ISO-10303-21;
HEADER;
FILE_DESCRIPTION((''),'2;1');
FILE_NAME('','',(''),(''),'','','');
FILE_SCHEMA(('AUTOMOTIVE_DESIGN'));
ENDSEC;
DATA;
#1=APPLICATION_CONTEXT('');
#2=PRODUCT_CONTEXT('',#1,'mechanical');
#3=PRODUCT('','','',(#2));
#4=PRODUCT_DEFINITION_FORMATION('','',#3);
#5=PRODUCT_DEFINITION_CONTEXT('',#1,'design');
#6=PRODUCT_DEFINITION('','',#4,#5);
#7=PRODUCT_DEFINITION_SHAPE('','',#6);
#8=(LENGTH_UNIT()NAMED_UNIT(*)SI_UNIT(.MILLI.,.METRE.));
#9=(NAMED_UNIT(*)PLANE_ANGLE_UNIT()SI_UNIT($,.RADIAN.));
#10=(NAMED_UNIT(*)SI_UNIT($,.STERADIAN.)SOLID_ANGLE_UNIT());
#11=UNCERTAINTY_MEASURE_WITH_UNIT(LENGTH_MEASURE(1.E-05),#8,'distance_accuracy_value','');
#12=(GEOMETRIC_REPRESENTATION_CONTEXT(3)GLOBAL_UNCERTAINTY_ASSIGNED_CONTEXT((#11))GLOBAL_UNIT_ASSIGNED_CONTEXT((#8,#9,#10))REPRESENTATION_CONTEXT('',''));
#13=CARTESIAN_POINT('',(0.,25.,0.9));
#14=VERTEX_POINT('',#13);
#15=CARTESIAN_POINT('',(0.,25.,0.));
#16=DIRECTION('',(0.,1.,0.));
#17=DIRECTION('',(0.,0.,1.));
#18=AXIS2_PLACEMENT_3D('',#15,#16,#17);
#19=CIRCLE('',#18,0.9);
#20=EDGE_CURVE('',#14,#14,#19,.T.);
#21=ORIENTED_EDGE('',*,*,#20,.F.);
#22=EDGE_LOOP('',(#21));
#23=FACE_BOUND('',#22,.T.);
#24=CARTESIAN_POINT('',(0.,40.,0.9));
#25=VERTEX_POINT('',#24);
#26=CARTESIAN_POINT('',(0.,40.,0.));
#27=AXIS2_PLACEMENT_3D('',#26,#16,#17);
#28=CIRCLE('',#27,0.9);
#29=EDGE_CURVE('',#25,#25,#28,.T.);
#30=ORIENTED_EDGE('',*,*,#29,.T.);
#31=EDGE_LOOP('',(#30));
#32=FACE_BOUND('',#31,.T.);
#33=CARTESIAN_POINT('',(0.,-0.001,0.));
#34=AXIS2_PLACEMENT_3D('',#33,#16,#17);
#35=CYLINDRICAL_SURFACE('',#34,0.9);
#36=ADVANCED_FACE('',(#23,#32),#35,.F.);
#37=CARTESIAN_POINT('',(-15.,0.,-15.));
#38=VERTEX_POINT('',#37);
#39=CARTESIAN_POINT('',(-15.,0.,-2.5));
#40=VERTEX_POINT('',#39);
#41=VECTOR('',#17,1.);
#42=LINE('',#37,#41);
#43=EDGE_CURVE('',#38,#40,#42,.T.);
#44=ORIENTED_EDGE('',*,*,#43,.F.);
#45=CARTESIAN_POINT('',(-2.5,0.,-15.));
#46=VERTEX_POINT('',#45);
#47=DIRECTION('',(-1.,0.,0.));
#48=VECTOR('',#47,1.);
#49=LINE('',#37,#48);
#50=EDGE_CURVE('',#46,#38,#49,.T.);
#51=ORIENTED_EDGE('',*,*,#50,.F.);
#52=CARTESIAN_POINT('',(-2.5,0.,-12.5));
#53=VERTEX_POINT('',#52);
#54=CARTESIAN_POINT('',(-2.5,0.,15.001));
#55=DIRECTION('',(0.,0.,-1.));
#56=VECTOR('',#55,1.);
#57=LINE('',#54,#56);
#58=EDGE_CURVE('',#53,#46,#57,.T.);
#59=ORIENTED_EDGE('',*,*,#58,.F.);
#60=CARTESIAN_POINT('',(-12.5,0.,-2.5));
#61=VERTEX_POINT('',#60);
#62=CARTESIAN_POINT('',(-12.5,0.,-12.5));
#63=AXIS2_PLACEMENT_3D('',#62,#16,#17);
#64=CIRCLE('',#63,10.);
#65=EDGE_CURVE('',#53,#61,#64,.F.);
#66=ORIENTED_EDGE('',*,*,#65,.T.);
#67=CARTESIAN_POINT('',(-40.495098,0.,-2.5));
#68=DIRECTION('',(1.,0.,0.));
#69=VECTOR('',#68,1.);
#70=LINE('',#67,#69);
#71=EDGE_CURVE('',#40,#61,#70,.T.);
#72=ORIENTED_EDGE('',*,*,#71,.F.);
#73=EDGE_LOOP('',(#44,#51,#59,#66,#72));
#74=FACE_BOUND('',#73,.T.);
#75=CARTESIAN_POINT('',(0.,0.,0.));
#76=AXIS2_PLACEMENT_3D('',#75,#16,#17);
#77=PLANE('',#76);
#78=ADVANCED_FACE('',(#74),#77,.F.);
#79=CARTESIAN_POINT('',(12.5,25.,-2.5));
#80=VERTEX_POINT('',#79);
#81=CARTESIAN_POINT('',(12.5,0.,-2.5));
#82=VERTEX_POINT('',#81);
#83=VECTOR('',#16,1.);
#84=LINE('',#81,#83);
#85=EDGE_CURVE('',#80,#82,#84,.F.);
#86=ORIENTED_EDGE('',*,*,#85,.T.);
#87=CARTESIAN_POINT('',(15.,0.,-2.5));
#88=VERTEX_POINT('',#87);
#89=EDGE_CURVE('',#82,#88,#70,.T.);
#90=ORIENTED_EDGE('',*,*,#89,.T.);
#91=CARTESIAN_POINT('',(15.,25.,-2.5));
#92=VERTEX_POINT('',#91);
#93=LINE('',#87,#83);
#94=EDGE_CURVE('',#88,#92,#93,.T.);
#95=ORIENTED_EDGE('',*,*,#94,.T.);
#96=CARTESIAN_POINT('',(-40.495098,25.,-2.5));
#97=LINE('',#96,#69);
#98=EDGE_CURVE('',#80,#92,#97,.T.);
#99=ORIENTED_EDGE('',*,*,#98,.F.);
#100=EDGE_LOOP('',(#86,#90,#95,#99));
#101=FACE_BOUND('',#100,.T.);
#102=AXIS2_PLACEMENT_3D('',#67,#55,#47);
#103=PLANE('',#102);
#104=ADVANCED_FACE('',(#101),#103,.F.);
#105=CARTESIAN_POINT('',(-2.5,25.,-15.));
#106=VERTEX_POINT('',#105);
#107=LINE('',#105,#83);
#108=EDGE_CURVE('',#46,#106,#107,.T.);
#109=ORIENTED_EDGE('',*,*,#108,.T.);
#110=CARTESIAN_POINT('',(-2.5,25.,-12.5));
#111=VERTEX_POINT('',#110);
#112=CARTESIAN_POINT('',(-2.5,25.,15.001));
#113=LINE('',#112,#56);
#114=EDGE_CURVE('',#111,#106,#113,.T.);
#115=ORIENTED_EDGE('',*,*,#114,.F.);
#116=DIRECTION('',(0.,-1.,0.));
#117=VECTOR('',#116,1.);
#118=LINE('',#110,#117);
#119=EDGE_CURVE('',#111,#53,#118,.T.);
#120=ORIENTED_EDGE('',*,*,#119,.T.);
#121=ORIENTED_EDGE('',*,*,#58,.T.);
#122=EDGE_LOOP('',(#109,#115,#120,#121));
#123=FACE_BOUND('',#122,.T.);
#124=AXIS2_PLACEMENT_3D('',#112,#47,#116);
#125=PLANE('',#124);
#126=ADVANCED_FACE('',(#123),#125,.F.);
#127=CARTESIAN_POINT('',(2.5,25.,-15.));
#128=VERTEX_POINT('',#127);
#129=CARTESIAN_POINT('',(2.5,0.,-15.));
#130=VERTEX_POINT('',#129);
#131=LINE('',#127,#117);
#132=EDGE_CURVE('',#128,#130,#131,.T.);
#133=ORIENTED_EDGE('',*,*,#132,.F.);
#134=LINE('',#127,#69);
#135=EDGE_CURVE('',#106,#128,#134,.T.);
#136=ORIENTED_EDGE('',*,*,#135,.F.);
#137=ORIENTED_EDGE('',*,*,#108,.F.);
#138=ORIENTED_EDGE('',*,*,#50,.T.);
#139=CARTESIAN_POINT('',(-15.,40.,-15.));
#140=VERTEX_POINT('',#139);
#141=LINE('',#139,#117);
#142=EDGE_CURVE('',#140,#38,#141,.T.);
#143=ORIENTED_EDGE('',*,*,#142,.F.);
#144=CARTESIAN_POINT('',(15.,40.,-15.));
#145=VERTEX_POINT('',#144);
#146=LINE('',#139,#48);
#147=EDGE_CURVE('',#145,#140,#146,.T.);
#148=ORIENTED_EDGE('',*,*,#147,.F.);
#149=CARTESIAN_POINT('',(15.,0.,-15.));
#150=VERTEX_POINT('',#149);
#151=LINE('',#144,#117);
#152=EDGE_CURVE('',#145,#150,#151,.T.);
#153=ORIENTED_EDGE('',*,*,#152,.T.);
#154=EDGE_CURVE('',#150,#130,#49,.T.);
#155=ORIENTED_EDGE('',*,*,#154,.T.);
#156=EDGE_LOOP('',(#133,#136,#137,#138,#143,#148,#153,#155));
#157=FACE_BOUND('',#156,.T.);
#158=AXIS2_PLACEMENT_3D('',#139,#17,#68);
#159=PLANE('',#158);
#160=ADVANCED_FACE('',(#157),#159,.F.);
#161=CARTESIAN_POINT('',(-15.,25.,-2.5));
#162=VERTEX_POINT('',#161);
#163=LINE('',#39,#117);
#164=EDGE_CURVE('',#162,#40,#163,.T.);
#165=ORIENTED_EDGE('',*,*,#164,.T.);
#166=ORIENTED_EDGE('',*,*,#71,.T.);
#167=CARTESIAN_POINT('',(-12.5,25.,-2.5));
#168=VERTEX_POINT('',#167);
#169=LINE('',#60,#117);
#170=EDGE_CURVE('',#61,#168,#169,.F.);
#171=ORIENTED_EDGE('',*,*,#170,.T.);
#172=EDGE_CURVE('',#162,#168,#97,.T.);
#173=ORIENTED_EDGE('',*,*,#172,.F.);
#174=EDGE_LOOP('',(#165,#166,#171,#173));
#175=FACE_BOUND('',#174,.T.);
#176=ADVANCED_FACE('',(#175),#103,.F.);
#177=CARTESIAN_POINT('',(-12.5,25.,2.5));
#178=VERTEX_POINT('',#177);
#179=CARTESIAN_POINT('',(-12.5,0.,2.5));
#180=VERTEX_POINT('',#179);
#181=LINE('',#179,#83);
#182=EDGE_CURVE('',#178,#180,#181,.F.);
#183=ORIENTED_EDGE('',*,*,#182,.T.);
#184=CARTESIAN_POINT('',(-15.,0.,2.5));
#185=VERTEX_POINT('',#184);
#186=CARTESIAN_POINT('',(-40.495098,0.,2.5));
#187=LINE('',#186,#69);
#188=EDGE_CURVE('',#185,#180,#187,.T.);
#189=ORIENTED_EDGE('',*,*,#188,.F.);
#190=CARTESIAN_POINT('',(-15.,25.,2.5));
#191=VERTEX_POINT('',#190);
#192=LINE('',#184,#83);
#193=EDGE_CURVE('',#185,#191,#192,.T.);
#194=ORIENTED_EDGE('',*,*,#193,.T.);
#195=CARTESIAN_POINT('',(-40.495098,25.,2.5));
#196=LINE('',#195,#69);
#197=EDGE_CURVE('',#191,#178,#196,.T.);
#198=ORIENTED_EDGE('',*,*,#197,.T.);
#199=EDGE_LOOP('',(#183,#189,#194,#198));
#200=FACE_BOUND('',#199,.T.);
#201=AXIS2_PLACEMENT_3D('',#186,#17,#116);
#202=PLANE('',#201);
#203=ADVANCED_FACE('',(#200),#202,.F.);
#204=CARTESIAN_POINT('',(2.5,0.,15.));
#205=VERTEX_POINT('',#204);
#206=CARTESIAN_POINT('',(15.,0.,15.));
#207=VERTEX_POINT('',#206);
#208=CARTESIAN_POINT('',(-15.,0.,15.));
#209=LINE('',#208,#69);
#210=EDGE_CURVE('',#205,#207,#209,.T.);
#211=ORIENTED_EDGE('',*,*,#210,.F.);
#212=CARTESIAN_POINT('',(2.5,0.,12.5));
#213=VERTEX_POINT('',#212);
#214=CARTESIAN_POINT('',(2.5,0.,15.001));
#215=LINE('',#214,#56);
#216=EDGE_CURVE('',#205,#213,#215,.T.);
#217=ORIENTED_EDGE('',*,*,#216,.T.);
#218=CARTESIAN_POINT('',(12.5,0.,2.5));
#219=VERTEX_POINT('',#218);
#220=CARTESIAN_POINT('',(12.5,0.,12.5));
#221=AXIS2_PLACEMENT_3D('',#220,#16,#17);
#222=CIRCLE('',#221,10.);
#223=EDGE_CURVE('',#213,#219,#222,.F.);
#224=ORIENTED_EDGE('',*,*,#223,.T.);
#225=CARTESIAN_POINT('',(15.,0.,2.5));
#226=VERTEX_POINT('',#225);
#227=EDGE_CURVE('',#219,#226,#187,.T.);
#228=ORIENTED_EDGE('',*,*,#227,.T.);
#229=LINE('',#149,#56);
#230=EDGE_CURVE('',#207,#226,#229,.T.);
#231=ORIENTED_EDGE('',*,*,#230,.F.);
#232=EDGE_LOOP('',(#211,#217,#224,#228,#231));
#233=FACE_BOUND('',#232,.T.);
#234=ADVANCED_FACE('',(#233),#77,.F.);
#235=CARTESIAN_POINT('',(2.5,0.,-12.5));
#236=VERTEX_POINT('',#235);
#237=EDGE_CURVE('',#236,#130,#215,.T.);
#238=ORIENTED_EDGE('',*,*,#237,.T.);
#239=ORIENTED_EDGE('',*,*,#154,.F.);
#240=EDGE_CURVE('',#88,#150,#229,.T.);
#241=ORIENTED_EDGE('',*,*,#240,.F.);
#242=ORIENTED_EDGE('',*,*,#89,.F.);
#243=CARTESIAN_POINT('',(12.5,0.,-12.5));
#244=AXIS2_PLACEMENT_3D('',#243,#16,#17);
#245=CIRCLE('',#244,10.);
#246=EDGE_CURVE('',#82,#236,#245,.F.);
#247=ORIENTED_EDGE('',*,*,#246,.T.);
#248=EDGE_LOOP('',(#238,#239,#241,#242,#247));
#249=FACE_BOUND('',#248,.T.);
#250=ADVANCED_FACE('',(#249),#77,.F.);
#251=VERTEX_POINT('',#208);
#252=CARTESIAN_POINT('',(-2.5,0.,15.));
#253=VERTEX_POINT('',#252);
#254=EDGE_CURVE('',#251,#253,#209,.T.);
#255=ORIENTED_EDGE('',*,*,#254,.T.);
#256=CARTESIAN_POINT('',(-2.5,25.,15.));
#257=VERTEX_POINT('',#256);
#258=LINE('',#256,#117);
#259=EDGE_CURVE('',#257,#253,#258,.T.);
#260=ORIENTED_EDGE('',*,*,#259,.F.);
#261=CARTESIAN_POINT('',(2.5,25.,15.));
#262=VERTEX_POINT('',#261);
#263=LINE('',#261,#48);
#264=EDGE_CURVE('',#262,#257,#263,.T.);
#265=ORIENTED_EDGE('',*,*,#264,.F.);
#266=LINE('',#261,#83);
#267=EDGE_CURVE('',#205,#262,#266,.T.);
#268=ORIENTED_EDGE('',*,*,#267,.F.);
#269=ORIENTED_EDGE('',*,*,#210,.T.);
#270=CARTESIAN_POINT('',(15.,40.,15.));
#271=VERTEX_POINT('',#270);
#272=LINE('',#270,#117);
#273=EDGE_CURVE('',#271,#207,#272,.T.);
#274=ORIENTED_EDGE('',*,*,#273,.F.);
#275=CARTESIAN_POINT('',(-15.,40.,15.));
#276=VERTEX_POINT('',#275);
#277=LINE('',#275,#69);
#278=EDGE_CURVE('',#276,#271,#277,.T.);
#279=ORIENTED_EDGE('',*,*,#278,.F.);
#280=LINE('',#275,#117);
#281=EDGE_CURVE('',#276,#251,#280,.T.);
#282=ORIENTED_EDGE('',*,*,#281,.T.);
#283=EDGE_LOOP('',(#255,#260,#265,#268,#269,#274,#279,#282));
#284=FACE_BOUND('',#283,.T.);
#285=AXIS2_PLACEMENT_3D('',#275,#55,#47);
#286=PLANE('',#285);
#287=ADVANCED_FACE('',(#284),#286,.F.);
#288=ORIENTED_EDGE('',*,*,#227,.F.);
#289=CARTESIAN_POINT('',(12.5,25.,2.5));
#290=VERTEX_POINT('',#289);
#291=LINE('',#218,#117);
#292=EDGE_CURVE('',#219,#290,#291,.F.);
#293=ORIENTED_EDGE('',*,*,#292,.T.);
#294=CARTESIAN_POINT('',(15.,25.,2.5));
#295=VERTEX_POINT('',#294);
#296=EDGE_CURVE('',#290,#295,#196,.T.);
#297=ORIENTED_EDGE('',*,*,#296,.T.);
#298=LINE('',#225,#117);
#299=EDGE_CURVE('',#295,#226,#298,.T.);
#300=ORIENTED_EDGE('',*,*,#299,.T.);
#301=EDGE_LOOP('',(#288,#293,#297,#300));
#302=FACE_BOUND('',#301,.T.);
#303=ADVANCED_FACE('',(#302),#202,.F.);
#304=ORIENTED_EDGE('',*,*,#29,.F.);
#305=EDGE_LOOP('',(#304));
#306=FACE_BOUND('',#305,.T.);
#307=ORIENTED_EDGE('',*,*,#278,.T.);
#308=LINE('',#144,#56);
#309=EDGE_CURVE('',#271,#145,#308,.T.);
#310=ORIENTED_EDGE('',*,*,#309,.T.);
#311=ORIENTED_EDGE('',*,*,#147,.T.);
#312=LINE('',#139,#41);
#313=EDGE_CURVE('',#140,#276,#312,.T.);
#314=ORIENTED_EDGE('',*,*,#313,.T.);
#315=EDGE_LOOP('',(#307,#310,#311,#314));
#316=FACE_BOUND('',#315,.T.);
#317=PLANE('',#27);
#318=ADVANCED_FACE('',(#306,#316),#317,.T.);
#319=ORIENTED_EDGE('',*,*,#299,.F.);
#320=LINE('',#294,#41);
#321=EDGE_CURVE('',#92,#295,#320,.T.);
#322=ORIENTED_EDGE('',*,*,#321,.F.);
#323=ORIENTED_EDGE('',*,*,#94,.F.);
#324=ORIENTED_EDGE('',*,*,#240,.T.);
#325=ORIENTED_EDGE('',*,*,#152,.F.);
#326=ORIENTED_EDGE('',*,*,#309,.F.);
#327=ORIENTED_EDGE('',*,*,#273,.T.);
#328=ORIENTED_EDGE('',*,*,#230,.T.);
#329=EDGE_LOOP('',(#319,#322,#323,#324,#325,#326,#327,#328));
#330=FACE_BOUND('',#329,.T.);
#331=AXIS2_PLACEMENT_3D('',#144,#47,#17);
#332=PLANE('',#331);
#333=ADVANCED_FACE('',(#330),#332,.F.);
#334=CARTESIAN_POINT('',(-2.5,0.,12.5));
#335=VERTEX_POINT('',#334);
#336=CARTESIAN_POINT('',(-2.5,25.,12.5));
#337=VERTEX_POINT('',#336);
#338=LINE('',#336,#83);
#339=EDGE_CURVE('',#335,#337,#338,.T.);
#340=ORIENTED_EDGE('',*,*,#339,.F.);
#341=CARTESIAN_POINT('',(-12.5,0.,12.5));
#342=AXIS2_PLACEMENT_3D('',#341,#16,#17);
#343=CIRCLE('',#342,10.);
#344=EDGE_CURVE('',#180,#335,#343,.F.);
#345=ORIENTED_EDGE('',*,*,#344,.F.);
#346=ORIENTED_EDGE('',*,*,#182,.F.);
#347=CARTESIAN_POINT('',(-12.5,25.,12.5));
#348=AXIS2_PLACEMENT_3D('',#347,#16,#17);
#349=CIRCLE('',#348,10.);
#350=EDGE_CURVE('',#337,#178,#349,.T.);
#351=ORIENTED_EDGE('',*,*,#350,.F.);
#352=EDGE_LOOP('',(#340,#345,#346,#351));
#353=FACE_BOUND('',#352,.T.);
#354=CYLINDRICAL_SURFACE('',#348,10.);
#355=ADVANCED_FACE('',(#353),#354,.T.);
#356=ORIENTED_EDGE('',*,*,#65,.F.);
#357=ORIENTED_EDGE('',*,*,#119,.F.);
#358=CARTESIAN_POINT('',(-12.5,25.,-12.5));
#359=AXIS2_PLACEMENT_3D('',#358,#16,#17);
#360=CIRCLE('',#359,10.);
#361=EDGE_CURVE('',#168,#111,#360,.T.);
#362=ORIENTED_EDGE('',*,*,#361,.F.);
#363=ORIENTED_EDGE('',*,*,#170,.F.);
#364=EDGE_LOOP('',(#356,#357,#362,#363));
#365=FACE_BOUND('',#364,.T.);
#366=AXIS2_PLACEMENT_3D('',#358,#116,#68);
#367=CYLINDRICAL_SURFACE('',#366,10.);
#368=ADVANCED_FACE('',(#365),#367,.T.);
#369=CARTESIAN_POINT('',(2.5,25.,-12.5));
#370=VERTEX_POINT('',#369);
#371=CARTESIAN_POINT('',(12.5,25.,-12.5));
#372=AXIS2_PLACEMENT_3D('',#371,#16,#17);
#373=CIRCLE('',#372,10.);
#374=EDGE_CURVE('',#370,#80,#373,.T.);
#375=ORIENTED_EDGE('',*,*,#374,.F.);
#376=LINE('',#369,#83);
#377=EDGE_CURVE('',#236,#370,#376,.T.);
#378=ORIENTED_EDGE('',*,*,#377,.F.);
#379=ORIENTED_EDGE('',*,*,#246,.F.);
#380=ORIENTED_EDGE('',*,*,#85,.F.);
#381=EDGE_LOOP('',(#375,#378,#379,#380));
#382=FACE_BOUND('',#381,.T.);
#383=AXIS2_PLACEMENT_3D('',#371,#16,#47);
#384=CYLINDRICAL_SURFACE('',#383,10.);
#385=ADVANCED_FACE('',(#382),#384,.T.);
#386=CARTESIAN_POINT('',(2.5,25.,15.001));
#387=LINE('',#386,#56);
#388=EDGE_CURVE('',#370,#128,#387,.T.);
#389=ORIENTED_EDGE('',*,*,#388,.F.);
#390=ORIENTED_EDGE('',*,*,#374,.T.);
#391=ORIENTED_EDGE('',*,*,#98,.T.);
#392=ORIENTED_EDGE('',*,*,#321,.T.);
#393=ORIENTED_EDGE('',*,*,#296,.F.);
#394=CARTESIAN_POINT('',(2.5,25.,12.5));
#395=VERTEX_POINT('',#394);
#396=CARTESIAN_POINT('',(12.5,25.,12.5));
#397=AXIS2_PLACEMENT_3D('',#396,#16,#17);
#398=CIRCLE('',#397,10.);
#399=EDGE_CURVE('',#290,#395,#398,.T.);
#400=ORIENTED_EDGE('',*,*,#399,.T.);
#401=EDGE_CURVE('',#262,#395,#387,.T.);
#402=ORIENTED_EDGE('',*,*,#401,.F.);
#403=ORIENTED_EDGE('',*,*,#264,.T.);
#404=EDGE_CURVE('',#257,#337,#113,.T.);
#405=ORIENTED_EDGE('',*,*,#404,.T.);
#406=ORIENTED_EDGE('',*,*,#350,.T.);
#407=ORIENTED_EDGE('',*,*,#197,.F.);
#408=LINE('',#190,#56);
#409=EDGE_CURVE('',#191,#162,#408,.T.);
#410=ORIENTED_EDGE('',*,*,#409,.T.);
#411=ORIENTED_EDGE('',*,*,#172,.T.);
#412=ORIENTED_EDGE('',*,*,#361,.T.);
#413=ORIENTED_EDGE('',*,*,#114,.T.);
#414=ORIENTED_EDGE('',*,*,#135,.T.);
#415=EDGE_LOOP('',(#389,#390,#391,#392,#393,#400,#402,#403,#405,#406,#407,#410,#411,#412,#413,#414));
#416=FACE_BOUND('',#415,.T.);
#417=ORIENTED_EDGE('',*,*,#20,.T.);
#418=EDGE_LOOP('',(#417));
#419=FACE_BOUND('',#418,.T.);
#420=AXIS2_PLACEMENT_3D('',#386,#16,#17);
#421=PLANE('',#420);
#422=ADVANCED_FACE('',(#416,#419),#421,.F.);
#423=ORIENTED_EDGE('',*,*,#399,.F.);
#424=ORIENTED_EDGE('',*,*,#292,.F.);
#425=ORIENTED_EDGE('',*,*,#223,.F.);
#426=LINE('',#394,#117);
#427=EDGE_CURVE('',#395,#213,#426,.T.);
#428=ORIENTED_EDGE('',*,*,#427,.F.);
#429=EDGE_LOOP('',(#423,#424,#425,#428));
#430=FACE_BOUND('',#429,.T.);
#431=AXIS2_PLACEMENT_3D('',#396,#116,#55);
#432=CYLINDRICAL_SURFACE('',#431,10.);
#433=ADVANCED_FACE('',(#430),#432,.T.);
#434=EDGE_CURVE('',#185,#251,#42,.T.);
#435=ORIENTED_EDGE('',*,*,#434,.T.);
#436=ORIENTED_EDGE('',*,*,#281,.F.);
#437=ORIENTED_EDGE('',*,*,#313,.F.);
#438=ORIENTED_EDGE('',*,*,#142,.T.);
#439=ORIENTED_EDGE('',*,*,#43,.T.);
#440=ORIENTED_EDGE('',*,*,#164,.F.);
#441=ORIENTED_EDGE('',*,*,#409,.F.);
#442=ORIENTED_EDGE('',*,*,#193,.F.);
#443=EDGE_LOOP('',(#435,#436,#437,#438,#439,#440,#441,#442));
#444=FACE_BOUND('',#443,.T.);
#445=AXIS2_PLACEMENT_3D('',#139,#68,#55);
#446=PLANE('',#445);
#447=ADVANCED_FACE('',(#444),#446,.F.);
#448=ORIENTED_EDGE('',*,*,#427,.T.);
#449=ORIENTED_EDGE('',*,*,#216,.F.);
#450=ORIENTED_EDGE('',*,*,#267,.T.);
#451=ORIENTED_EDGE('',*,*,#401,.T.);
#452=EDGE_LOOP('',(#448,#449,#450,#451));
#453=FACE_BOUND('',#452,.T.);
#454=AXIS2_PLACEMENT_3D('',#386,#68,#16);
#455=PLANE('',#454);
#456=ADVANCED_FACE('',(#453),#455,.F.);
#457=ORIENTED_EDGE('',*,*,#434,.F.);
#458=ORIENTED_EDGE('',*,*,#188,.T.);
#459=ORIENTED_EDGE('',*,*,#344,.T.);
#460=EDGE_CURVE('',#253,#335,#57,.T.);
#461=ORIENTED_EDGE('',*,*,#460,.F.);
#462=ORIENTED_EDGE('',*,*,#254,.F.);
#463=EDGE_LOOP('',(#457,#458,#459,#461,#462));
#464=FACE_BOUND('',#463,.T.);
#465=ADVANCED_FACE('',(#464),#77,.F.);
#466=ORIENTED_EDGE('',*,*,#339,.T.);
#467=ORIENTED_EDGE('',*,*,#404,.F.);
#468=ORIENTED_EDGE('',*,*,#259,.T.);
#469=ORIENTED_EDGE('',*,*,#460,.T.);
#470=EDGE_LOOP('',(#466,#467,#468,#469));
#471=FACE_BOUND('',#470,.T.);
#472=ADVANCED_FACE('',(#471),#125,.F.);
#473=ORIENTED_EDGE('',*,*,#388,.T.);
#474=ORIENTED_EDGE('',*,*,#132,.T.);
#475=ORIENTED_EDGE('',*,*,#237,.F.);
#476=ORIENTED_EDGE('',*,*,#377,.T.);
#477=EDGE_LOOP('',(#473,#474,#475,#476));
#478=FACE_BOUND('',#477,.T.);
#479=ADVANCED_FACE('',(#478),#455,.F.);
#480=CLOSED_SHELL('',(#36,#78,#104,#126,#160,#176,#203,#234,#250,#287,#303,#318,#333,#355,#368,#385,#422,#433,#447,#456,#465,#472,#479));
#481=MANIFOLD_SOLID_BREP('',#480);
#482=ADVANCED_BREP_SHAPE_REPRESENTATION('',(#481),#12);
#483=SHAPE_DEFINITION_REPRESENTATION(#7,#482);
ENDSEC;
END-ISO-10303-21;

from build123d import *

# Parameters (mm, degrees)
SKETCH1_W           = 30
SKETCH1_H           = 30
BOSS_EXTRUDE1_DEPTH = 40
CUT_EXTRUDE1_REACH  = 42
SKETCH2_R           = 0.9
CUT_EXTRUDE2_REACH  = 32
SKETCH3_W           = 5
SKETCH3_H           = 25
SKETCH4_W           = 5
SKETCH4_H           = 25
CUT_EXTRUDE3_DEPTH  = 30
FILLET1_R           = 10


with BuildPart() as part:
    # Sketch1 → Boss-Extrude1 (new body)
    with BuildSketch(Plane(origin=(0, 0, 0), x_dir=(1, 0, 0), z_dir=(0, 1, 0))):
        Rectangle(SKETCH1_W, SKETCH1_H)
    extrude(amount=BOSS_EXTRUDE1_DEPTH)

    # Sketch2 → Cut-Extrude1 (cut, up to next)
    with BuildSketch(Plane(origin=(0, 40, 0), x_dir=(1, 0, 0), z_dir=(0, 1, 0)), mode=Mode.PRIVATE) as cut_extrude1_sk1:
        Circle(SKETCH2_R)
    cut_extrude1_tool1 = extrude(cut_extrude1_sk1.sketch, amount=-CUT_EXTRUDE1_REACH, mode=Mode.PRIVATE) & part.part
    add(cut_extrude1_tool1.solids().sort_by_distance((0, 40, 0))[0], mode=Mode.SUBTRACT)

    # Sketch3 → Cut-Extrude2 (cut, up to next)
    with BuildSketch(Plane(origin=(0, 0, -15), x_dir=(-1, 0, 0), z_dir=(0, 0, -1)), mode=Mode.PRIVATE) as cut_extrude2_sk1:
        with Locations((0, 12.5)):
            Rectangle(SKETCH3_W, SKETCH3_H)
    cut_extrude2_tool1 = extrude(cut_extrude2_sk1.sketch, amount=-CUT_EXTRUDE2_REACH, mode=Mode.PRIVATE) & part.part
    add(cut_extrude2_tool1.solids().sort_by_distance((0, 12.5, -15))[0], mode=Mode.SUBTRACT)

    # Sketch4 → Cut-Extrude3 (cut)
    with BuildSketch(Plane(origin=(15, 0, 0), x_dir=(0, 0, -1), z_dir=(1, 0, 0))):
        with Locations((0, 12.5)):
            Rectangle(SKETCH4_W, SKETCH4_H)
    extrude(amount=-CUT_EXTRUDE3_DEPTH, mode=Mode.SUBTRACT)

    # Fillet1
    fillet1_edges = [part.edges().sort_by_distance(p)[0] for p in [
        (2.5, 12.5, 2.5),
        (-2.5, 12.5, 2.5),
        (2.5, 12.5, -2.5),
        (-2.5, 12.5, -2.5),
    ]]
    fillet(fillet1_edges, radius=FILLET1_R)


solid = part.part
